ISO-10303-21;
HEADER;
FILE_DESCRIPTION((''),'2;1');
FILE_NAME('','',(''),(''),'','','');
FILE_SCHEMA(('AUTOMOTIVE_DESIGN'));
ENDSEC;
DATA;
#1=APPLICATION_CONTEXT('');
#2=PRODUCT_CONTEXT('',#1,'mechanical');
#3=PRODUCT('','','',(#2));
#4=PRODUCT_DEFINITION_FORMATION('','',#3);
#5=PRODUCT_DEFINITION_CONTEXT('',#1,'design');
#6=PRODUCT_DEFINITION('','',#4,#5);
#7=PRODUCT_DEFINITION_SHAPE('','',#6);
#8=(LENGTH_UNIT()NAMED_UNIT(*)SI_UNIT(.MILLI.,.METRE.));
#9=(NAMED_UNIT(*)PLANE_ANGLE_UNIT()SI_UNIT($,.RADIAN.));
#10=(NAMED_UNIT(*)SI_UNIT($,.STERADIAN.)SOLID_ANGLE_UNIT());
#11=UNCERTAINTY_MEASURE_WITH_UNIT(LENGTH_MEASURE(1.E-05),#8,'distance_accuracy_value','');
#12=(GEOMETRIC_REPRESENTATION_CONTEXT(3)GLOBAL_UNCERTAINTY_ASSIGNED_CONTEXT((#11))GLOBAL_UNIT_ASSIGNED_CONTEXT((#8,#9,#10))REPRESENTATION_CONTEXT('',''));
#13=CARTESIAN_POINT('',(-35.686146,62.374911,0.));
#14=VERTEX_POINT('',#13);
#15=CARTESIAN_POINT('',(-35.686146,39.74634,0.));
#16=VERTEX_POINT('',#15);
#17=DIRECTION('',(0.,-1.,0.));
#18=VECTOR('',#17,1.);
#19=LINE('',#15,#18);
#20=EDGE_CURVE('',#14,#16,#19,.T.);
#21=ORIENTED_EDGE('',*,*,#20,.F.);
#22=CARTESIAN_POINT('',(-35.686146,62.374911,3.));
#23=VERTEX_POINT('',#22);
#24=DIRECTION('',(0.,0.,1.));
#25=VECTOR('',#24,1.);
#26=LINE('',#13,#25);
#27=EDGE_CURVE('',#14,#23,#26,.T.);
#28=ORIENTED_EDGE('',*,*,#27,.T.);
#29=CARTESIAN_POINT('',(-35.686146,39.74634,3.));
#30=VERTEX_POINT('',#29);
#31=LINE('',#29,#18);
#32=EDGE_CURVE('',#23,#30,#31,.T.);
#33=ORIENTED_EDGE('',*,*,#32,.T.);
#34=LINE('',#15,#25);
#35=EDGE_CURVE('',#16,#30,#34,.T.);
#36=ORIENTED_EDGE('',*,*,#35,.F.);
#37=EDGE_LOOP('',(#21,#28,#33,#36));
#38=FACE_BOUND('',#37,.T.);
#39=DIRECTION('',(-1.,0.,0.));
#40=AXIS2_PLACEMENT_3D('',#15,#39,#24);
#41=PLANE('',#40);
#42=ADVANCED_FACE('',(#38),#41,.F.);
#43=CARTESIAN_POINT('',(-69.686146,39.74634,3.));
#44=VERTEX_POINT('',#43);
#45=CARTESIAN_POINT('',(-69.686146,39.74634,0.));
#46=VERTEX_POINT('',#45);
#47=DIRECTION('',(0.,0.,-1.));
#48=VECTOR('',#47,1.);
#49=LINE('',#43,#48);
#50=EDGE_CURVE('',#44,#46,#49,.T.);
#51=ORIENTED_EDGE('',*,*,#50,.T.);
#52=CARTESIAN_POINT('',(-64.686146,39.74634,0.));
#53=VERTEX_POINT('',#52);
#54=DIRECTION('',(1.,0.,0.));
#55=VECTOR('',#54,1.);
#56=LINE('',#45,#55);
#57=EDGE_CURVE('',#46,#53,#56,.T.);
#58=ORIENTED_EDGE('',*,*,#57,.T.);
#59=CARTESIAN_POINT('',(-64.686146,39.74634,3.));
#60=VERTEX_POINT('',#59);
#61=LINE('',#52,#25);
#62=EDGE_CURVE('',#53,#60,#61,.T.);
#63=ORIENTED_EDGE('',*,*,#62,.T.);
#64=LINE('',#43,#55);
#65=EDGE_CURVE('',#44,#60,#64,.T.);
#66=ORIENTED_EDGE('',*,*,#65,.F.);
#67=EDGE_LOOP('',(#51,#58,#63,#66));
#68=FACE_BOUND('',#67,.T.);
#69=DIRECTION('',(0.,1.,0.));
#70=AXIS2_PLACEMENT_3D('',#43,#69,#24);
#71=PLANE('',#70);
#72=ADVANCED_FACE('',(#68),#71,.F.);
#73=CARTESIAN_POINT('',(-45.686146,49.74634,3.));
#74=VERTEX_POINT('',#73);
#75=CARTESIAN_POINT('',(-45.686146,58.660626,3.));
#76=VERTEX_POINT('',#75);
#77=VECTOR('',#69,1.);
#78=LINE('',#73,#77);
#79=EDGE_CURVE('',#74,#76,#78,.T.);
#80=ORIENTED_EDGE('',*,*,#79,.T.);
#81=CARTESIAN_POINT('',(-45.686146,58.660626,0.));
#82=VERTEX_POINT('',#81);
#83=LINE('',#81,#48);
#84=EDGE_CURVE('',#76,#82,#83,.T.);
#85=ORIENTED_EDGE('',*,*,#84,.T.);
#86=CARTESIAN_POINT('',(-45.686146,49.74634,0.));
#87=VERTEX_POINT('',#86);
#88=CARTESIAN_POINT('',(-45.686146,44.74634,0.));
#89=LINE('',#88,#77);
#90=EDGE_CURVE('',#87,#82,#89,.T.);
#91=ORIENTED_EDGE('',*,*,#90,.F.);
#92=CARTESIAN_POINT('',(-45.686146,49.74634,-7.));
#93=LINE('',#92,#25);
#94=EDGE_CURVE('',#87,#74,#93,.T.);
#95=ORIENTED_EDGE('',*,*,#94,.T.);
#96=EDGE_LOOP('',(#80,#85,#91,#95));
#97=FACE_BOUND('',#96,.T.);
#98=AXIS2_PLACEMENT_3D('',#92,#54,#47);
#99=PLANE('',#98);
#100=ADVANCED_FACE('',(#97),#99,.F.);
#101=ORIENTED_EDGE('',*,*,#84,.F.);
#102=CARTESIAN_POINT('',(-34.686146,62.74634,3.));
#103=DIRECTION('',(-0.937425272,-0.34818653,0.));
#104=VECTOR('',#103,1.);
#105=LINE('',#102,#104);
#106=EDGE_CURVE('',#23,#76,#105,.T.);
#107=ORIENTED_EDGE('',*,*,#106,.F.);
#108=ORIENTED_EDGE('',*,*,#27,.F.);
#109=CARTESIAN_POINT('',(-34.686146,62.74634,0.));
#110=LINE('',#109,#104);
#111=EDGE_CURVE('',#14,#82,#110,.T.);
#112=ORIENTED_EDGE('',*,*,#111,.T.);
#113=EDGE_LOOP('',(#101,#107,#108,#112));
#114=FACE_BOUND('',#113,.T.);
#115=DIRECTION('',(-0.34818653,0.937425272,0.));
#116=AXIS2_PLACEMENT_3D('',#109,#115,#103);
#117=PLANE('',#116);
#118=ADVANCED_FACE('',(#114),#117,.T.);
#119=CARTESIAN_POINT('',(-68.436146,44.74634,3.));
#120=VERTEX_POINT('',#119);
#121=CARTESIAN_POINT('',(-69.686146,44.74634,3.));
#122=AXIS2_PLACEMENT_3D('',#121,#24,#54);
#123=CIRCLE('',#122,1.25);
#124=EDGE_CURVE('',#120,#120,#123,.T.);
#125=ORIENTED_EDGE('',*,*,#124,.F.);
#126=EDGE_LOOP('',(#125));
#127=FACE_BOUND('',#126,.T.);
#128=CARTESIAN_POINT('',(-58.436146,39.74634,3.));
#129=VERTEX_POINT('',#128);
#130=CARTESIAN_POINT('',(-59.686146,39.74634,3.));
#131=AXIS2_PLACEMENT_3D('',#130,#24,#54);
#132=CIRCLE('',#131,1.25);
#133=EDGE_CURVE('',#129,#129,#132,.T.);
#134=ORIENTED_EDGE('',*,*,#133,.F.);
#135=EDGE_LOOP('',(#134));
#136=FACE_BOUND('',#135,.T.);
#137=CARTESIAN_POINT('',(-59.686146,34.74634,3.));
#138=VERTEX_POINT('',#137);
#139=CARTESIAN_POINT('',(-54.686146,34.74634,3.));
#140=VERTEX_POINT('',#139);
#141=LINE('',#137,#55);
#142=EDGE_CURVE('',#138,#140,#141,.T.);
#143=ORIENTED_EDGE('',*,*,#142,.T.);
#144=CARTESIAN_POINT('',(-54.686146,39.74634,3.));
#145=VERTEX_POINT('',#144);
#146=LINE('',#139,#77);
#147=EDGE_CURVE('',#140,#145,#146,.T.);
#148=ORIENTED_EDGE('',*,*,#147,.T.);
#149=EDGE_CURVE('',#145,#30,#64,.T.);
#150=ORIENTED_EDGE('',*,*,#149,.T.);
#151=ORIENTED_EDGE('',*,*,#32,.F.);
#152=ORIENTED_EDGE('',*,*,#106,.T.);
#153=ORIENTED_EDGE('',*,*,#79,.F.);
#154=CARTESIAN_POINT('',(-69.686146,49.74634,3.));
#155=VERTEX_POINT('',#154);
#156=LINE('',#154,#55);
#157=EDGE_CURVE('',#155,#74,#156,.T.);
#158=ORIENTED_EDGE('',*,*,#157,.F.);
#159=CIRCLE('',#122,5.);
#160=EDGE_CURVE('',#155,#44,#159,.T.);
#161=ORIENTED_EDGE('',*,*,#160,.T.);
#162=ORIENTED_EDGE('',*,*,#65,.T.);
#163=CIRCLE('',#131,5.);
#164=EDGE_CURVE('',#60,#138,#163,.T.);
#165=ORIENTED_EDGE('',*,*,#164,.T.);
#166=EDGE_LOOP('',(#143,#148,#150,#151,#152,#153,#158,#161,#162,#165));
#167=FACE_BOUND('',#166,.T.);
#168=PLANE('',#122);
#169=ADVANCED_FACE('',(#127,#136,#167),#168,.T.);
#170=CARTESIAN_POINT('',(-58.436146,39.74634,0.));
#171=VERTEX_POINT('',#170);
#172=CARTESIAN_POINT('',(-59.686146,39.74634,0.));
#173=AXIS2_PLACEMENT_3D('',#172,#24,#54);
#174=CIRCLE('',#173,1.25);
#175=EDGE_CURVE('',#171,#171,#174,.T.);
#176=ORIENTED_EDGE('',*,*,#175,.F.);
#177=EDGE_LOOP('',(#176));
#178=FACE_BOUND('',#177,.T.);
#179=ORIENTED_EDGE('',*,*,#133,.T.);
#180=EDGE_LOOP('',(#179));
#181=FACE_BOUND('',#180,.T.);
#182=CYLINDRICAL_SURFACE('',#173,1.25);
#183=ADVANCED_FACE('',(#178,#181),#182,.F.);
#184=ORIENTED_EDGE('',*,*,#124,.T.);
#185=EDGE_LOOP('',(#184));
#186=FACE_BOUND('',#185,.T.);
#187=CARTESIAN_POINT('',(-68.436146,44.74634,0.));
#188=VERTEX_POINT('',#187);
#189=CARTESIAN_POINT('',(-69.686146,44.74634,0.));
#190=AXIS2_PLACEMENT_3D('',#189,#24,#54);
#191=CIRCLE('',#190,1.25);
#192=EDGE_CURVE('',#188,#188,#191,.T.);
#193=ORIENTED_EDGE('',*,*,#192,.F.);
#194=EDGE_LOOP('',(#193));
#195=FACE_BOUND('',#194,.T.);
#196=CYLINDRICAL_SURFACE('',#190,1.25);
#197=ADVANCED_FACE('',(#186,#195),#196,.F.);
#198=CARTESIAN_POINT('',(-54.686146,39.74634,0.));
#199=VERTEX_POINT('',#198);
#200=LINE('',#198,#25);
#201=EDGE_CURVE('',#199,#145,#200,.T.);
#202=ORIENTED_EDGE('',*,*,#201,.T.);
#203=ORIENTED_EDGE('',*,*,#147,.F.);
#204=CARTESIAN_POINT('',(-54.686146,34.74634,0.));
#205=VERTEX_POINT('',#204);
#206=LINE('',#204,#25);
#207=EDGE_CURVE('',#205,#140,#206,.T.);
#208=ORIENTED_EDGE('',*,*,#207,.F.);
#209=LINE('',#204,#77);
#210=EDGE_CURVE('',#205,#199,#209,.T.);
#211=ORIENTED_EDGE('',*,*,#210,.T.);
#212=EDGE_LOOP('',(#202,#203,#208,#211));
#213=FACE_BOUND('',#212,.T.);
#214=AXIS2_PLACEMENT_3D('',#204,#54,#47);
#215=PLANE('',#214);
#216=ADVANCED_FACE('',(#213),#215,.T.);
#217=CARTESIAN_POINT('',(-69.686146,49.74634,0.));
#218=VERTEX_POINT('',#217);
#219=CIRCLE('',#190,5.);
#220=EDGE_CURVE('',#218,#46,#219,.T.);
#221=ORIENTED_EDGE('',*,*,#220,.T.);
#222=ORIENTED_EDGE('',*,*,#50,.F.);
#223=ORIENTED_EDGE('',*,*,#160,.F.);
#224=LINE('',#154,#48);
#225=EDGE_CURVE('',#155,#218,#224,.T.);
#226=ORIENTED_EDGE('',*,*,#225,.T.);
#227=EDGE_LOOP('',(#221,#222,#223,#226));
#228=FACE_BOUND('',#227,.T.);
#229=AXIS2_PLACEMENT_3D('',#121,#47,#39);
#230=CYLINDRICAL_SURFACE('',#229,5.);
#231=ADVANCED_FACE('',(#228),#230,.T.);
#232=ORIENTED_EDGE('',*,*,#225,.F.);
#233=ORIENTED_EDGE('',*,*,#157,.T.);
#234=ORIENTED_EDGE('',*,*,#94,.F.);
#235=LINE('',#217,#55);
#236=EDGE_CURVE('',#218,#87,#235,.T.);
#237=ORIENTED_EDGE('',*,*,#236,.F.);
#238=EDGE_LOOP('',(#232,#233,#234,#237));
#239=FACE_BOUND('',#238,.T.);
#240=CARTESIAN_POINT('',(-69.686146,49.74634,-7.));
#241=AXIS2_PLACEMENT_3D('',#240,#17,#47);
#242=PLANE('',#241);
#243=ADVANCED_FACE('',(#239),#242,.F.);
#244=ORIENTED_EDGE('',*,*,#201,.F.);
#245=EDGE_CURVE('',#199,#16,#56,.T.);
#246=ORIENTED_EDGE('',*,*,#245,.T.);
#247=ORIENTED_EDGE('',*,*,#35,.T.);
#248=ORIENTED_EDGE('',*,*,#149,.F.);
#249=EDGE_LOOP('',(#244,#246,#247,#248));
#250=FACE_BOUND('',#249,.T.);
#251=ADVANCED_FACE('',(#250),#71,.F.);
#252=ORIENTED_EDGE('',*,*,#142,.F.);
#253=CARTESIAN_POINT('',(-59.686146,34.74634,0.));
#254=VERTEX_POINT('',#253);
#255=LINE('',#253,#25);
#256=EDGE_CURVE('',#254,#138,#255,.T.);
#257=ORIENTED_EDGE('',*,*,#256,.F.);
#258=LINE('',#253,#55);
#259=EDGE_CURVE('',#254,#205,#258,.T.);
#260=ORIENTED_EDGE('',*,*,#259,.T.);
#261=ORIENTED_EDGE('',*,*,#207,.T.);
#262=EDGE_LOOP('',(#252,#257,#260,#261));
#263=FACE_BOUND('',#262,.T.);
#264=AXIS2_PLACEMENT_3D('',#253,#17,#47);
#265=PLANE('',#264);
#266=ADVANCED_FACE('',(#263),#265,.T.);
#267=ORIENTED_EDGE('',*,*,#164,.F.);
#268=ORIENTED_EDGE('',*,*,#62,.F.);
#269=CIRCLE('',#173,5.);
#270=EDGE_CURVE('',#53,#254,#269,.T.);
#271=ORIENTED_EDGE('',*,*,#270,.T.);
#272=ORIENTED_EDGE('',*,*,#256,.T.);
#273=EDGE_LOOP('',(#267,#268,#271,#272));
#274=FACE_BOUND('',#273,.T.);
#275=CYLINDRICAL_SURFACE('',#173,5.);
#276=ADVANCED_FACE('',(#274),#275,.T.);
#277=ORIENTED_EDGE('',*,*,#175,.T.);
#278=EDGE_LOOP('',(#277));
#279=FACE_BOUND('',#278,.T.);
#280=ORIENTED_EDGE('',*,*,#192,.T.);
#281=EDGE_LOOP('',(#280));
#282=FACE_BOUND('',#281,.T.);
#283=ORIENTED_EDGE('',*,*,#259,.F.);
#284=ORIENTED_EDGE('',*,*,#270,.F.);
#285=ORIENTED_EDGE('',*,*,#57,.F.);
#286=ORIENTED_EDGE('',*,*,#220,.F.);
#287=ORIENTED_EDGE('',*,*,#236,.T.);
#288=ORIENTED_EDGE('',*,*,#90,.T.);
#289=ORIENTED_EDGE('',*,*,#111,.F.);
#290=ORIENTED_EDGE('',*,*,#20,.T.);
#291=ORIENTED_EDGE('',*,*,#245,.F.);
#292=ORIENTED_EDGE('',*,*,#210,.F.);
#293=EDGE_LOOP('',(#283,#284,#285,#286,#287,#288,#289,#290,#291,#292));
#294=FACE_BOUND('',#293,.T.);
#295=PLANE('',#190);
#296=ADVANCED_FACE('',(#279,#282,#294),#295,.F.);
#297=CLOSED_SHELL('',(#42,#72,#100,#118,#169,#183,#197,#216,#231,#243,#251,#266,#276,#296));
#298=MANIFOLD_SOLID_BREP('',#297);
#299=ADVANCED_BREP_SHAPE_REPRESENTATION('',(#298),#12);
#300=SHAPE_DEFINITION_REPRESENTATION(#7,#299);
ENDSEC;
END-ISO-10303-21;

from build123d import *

# Parameters (mm, degrees)
SKETCH2_R           = 1.5
BOSS_EXTRUDE3_DEPTH = 3
BOSS_EXTRUDE4_DEPTH = 3
SKETCH4_R           = 1.25
CUT_EXTRUDE1_DEPTH  = 3
BOSS_EXTRUDE5_DEPTH = 3
CUT_EXTRUDE2_DEPTH  = 3
BOSS_EXTRUDE6_START = -3
SKETCH7_R           = 1.5
SKETCH7_R_2         = 1.25
BOSS_EXTRUDE6_DEPTH = 3
CUT_EXTRUDE3_DEPTH  = 10
BOSS_EXTRUDE7_DEPTH = 3


with BuildPart() as part:
    # Sketch2 → Boss-Extrude3 (new body)
    with BuildSketch(Plane.XY):
        with BuildLine():
            Line((-69.686145903, 39.746340023), (-34.686145903, 39.746340023))
            Line((-34.686145903, 39.746340023), (-34.686145903, 59.746340023))
            Line((-34.686145903, 59.746340023), (-69.686145903, 49.746340023))
            ThreePointArc((-69.686145903, 49.746340023), (-74.686145903, 44.746340023), (-69.686145903, 39.746340023))
        make_face()
        with Locations((-69.686145903, 44.746340023)):
            Circle(SKETCH2_R, mode=Mode.SUBTRACT)
    extrude(amount=BOSS_EXTRUDE3_DEPTH)

    # Sketch3 → Boss-Extrude4 (add)
    with BuildSketch(Plane.XY.offset(3)):
        with BuildLine():
            Line((-64.686145903, 39.746340023), (-59.686145903, 39.746340023))
            Line((-59.686145903, 39.746340023), (-54.686145903, 39.746340023))
            ThreePointArc((-54.686145903, 39.746340023), (-59.686145903, 34.746340023), (-64.686145903, 39.746340023))
        make_face()
    extrude(amount=-BOSS_EXTRUDE4_DEPTH)

    # Sketch4 → Cut-Extrude1 (cut)
    with BuildSketch(Plane.XY.offset(3)):
        with Locations((-59.686145903, 39.746340023)):
            Circle(SKETCH4_R)
    extrude(amount=-CUT_EXTRUDE1_DEPTH, mode=Mode.SUBTRACT)

    # Sketch5 → Boss-Extrude5 (add)
    with BuildSketch(Plane.XY.offset(3)):
        Polygon((-34.686145903, 59.746340023), (-34.686145903, 62.746340023), (-69.686145903, 49.746340023), align=None)
    extrude(amount=-BOSS_EXTRUDE5_DEPTH)

    # Sketch6 → Cut-Extrude2 (cut)
    with BuildSketch(Plane.XY.offset(3)):
        Polygon((-34.686145903, 39.746340023), (-35.686145903, 39.746340023), (-35.686145903, 63.560014977), (-33.928047703, 63.560014977), (-33.928047703, 39.746340023), align=None)
    extrude(amount=-CUT_EXTRUDE2_DEPTH, mode=Mode.SUBTRACT)

    # Sketch7 → Boss-Extrude6 (add)
    with BuildSketch(Plane.XY.offset(3).offset(BOSS_EXTRUDE6_START)):
        with Locations((-69.686145903, 44.746340023)):
            Circle(SKETCH7_R)
        with Locations((-69.686145903, 44.746340023)):
            Circle(SKETCH7_R_2, mode=Mode.SUBTRACT)
    extrude(amount=BOSS_EXTRUDE6_DEPTH)

    # Sketch8 → Cut-Extrude3 (cut)
    with BuildSketch(Plane.XY.offset(3)):
        Polygon((-69.686145903, 49.746340023), (-45.686145903, 49.746340023), (-45.686145903, 58.660625737), align=None)
    extrude(amount=-CUT_EXTRUDE3_DEPTH, mode=Mode.SUBTRACT)

    # Sketch9 → Boss-Extrude7 (add)
    with BuildSketch(Plane.XY.offset(3)):
        with BuildLine():
            Line((-59.686145903, 34.746340023), (-54.686145903, 34.746340023))
            Line((-54.686145903, 34.746340023), (-54.686145903, 39.746340023))
            ThreePointArc((-54.686145903, 39.746340023), (-56.150611997, 36.210806117), (-59.686145903, 34.746340023))
        make_face()
    extrude(amount=-BOSS_EXTRUDE7_DEPTH)


solid = part.part
